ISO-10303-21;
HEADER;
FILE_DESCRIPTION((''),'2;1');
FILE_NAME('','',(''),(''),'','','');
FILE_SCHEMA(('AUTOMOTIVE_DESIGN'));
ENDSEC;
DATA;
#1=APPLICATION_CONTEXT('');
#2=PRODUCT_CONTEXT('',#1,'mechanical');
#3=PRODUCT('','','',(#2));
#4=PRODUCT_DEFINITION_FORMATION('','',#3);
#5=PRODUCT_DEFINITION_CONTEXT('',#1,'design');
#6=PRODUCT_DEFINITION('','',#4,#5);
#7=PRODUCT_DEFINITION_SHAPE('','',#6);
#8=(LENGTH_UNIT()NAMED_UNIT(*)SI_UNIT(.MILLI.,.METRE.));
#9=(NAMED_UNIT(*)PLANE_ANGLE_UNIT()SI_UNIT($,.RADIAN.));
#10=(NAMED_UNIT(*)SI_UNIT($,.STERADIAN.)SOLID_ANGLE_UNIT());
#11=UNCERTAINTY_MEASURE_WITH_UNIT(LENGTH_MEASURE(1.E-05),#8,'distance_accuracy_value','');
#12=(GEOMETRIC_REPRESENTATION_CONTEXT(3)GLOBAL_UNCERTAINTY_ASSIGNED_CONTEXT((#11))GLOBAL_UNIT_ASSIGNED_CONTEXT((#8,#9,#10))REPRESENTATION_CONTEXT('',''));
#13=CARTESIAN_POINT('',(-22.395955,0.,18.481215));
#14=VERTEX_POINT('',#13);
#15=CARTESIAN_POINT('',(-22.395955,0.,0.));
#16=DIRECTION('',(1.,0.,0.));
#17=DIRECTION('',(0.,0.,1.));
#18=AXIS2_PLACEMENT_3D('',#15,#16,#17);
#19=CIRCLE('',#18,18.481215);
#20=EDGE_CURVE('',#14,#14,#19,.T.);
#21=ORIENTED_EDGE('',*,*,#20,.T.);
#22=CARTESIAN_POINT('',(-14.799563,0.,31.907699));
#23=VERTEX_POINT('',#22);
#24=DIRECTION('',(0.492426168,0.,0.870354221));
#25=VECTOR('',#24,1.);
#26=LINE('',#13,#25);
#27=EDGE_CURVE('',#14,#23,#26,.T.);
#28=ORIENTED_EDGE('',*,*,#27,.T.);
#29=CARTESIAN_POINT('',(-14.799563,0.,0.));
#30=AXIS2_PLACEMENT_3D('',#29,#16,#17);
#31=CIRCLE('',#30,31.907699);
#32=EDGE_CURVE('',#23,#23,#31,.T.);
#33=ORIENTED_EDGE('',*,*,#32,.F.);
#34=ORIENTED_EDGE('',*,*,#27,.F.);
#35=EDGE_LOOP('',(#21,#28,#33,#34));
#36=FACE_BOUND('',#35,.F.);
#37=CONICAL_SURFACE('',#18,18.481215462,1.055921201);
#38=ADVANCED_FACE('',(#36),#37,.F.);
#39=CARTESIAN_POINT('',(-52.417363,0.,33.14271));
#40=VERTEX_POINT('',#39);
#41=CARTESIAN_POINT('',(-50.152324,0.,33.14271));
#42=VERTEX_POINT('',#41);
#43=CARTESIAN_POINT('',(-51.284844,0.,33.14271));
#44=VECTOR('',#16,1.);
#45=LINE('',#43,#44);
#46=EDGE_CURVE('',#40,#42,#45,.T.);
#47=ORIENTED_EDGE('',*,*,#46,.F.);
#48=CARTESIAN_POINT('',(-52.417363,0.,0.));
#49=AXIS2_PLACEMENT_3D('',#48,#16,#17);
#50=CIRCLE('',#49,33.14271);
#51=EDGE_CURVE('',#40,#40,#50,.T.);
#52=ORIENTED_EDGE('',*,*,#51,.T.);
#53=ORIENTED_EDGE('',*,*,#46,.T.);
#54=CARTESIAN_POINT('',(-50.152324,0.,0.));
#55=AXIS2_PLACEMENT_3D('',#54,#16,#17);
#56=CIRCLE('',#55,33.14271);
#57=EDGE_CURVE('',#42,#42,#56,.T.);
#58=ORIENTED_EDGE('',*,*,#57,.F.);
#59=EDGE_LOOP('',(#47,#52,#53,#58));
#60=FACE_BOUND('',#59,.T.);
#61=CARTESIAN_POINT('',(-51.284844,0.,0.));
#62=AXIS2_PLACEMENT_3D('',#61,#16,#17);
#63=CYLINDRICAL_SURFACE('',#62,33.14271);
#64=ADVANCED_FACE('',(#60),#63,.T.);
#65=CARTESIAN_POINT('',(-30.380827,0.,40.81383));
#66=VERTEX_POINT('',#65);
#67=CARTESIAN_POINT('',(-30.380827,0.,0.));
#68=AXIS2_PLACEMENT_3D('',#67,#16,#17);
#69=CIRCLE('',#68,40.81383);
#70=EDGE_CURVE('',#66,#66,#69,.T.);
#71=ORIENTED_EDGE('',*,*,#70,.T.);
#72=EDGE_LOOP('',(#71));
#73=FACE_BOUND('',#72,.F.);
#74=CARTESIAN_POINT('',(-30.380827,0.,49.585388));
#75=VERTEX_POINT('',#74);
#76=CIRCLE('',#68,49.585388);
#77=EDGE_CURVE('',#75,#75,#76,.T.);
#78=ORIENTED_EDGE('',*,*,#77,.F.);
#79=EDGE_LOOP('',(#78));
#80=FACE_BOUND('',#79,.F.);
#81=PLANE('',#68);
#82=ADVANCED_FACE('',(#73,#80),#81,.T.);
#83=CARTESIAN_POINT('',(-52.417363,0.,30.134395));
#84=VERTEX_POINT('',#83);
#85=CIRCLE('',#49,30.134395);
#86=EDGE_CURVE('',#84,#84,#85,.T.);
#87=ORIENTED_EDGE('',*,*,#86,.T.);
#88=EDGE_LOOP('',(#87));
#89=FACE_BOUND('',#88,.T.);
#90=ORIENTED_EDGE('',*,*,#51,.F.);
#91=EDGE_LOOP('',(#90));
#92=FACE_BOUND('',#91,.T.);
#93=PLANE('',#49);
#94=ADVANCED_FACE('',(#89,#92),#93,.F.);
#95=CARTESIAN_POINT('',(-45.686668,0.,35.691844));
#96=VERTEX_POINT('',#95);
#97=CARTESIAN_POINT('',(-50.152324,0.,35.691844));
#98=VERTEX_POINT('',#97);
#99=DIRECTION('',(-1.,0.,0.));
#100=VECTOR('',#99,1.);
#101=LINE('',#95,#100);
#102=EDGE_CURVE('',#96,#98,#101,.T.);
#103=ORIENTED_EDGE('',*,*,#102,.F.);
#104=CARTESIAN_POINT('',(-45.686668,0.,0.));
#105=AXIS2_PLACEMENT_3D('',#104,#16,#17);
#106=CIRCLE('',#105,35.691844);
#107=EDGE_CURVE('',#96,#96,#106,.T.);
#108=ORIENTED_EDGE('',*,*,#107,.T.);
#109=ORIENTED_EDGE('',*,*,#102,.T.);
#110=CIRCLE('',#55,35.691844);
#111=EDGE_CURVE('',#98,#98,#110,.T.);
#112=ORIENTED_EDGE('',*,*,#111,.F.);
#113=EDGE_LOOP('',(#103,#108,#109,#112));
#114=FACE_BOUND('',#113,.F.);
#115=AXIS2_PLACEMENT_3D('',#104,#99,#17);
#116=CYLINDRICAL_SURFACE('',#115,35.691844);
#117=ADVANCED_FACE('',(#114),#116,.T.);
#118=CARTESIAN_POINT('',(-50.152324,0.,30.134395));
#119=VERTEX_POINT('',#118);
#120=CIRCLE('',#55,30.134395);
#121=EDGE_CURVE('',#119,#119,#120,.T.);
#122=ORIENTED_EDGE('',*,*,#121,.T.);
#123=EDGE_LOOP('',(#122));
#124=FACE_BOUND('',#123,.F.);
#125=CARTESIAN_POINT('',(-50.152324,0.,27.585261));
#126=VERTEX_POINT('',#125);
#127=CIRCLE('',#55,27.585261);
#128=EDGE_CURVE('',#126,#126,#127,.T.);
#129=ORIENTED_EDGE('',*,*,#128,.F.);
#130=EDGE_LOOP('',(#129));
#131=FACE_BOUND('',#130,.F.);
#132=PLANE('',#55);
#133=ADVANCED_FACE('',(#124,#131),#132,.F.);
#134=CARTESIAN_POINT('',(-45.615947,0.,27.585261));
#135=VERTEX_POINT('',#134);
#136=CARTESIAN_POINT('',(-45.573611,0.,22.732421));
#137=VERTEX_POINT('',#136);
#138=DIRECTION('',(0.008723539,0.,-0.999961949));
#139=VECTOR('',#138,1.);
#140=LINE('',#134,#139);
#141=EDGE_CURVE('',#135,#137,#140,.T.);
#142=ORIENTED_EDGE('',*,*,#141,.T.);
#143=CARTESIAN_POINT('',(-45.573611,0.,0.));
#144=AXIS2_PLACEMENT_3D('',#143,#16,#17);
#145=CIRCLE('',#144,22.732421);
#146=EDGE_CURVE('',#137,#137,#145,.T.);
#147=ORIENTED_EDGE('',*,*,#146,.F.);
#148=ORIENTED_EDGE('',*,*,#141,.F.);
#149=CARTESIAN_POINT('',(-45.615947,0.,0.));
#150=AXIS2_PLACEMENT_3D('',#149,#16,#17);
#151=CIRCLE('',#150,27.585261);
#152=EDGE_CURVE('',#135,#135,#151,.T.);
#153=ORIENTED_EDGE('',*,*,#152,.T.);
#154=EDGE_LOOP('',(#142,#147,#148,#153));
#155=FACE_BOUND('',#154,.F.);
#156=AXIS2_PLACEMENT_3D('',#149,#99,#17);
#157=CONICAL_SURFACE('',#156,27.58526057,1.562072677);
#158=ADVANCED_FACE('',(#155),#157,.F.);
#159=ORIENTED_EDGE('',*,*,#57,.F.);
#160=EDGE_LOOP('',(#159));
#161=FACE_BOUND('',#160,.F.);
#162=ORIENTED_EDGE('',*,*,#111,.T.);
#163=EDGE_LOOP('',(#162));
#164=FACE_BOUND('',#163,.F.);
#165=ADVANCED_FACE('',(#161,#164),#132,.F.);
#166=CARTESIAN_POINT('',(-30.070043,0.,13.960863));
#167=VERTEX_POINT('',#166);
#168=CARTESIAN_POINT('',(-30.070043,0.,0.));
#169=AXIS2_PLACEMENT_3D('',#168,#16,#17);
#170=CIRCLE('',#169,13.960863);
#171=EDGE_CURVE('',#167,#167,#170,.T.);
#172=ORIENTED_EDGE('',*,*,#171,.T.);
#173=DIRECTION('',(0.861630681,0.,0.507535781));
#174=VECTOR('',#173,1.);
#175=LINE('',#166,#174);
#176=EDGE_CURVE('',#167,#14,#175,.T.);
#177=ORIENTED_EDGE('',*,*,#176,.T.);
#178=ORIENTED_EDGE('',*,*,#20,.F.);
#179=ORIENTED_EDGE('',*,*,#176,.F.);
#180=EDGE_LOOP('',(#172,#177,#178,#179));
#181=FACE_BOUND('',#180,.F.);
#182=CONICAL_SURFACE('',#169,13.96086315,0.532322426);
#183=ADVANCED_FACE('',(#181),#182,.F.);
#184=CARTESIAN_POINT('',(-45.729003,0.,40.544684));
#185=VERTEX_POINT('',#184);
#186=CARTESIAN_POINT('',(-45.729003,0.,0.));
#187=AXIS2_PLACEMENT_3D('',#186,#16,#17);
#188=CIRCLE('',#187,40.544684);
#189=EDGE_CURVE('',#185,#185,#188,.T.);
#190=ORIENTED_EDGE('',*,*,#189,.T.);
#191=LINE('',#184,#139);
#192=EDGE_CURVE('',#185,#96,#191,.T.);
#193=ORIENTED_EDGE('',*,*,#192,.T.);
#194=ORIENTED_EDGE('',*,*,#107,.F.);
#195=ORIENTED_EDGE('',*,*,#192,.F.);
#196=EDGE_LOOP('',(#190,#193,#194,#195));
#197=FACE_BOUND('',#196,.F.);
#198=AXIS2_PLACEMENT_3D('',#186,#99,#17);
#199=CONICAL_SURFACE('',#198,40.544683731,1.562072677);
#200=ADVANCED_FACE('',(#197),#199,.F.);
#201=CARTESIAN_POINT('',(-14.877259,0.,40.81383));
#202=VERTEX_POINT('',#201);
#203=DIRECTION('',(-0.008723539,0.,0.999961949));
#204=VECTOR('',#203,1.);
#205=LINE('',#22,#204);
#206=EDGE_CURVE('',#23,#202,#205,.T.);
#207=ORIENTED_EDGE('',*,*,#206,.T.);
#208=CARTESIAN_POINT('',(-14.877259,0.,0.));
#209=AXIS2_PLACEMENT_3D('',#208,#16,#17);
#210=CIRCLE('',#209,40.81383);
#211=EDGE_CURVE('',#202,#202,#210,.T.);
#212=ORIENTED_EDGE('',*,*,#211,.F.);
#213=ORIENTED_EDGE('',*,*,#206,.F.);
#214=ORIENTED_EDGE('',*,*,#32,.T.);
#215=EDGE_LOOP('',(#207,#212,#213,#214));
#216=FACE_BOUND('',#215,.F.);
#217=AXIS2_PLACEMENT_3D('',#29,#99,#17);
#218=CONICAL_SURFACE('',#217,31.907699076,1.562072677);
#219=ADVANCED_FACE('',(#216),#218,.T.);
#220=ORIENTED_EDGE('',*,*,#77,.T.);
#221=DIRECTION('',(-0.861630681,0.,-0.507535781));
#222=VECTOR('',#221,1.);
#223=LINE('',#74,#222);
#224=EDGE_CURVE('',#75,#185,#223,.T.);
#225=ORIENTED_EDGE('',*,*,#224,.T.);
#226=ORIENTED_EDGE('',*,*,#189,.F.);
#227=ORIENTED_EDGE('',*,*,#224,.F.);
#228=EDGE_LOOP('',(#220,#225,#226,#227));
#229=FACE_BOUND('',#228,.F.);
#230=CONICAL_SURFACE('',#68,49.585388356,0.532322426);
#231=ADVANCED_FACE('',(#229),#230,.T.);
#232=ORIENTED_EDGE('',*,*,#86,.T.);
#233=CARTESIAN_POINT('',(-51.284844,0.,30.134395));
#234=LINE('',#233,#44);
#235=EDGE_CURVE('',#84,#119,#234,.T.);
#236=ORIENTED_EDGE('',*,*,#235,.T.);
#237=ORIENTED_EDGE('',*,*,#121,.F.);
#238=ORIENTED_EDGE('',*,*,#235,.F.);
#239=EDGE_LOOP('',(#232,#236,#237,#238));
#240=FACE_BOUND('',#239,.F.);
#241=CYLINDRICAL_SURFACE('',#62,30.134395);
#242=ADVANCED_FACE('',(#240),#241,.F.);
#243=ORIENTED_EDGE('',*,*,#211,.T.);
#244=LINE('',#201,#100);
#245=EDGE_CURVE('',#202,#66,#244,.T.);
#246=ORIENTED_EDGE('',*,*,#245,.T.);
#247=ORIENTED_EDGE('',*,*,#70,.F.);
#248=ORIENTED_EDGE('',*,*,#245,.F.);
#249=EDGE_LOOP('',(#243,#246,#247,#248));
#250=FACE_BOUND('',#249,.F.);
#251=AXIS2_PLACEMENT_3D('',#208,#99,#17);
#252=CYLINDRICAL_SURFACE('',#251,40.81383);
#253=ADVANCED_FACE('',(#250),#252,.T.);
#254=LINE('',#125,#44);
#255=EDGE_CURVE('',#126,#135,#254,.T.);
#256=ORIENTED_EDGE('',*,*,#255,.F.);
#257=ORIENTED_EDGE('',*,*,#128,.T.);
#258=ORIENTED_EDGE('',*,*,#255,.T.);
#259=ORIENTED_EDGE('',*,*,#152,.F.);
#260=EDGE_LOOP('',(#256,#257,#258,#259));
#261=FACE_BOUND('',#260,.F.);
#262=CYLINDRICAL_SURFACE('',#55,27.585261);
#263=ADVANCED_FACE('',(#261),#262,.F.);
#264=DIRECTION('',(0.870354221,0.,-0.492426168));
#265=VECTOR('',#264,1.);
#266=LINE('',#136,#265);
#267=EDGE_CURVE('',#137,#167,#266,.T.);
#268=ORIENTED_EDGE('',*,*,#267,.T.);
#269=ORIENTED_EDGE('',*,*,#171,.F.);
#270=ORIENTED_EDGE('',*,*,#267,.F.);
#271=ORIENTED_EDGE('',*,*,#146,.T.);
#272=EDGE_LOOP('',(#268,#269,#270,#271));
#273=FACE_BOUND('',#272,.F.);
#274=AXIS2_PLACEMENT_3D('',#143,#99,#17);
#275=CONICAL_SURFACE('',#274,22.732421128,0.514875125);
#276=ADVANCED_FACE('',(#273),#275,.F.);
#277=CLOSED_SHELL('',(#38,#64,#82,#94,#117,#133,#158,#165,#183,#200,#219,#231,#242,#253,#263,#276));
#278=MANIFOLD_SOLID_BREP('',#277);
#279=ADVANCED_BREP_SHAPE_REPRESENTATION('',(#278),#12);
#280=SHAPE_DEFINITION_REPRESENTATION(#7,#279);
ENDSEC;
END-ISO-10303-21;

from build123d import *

# Parameters (mm, degrees)
F0_W = 2.2650395424
F0_H = 3.0083153293


with BuildPart() as f1:
    # F0 (on Front) → F1 (revolve)
    with BuildSketch(Plane.XZ):
        Polygon((-45.5736112406, 22.732421128), (-30.0700433831, 13.9608631497), (-22.3959553987, 18.4812154621), (-14.7995633587, 31.907699076), (-14.8772593031, 40.8138303776), (-30.3808271606, 40.8138303776), (-30.3808271606, 49.5853883559), (-45.7290031294, 40.5446837311), (-45.6866675821, 35.6918442891), (-41.150290519, 35.6918442891), (-41.150290519, 27.58526057), (-45.615946788, 27.58526057), align=None)
        Polygon((-50.1523238511, 27.58526057), (-45.615946788, 27.58526057), (-45.6866675821, 35.6918442891), (-50.1523238511, 35.6918442891), (-50.1523238511, 33.1427100942), (-47.8872843087, 33.1427100942), (-47.8872843087, 30.1343947649), (-50.1523238511, 30.1343947649), align=None)
        Polygon((-45.6866675821, 35.6918442891), (-45.615946788, 27.58526057), (-41.150290519, 27.58526057), (-41.150290519, 35.6918442891), align=None)
        with Locations((-51.2848436223, 31.6385524296)):
            Rectangle(F0_W, F0_H)
        with Locations((-49.0198040799, 31.6385524296)):
            Rectangle(F0_W, F0_H)
    revolve(axis=Axis((0.4552025348, 0, 0), (1, 0, 0)))


solid = f1.part
